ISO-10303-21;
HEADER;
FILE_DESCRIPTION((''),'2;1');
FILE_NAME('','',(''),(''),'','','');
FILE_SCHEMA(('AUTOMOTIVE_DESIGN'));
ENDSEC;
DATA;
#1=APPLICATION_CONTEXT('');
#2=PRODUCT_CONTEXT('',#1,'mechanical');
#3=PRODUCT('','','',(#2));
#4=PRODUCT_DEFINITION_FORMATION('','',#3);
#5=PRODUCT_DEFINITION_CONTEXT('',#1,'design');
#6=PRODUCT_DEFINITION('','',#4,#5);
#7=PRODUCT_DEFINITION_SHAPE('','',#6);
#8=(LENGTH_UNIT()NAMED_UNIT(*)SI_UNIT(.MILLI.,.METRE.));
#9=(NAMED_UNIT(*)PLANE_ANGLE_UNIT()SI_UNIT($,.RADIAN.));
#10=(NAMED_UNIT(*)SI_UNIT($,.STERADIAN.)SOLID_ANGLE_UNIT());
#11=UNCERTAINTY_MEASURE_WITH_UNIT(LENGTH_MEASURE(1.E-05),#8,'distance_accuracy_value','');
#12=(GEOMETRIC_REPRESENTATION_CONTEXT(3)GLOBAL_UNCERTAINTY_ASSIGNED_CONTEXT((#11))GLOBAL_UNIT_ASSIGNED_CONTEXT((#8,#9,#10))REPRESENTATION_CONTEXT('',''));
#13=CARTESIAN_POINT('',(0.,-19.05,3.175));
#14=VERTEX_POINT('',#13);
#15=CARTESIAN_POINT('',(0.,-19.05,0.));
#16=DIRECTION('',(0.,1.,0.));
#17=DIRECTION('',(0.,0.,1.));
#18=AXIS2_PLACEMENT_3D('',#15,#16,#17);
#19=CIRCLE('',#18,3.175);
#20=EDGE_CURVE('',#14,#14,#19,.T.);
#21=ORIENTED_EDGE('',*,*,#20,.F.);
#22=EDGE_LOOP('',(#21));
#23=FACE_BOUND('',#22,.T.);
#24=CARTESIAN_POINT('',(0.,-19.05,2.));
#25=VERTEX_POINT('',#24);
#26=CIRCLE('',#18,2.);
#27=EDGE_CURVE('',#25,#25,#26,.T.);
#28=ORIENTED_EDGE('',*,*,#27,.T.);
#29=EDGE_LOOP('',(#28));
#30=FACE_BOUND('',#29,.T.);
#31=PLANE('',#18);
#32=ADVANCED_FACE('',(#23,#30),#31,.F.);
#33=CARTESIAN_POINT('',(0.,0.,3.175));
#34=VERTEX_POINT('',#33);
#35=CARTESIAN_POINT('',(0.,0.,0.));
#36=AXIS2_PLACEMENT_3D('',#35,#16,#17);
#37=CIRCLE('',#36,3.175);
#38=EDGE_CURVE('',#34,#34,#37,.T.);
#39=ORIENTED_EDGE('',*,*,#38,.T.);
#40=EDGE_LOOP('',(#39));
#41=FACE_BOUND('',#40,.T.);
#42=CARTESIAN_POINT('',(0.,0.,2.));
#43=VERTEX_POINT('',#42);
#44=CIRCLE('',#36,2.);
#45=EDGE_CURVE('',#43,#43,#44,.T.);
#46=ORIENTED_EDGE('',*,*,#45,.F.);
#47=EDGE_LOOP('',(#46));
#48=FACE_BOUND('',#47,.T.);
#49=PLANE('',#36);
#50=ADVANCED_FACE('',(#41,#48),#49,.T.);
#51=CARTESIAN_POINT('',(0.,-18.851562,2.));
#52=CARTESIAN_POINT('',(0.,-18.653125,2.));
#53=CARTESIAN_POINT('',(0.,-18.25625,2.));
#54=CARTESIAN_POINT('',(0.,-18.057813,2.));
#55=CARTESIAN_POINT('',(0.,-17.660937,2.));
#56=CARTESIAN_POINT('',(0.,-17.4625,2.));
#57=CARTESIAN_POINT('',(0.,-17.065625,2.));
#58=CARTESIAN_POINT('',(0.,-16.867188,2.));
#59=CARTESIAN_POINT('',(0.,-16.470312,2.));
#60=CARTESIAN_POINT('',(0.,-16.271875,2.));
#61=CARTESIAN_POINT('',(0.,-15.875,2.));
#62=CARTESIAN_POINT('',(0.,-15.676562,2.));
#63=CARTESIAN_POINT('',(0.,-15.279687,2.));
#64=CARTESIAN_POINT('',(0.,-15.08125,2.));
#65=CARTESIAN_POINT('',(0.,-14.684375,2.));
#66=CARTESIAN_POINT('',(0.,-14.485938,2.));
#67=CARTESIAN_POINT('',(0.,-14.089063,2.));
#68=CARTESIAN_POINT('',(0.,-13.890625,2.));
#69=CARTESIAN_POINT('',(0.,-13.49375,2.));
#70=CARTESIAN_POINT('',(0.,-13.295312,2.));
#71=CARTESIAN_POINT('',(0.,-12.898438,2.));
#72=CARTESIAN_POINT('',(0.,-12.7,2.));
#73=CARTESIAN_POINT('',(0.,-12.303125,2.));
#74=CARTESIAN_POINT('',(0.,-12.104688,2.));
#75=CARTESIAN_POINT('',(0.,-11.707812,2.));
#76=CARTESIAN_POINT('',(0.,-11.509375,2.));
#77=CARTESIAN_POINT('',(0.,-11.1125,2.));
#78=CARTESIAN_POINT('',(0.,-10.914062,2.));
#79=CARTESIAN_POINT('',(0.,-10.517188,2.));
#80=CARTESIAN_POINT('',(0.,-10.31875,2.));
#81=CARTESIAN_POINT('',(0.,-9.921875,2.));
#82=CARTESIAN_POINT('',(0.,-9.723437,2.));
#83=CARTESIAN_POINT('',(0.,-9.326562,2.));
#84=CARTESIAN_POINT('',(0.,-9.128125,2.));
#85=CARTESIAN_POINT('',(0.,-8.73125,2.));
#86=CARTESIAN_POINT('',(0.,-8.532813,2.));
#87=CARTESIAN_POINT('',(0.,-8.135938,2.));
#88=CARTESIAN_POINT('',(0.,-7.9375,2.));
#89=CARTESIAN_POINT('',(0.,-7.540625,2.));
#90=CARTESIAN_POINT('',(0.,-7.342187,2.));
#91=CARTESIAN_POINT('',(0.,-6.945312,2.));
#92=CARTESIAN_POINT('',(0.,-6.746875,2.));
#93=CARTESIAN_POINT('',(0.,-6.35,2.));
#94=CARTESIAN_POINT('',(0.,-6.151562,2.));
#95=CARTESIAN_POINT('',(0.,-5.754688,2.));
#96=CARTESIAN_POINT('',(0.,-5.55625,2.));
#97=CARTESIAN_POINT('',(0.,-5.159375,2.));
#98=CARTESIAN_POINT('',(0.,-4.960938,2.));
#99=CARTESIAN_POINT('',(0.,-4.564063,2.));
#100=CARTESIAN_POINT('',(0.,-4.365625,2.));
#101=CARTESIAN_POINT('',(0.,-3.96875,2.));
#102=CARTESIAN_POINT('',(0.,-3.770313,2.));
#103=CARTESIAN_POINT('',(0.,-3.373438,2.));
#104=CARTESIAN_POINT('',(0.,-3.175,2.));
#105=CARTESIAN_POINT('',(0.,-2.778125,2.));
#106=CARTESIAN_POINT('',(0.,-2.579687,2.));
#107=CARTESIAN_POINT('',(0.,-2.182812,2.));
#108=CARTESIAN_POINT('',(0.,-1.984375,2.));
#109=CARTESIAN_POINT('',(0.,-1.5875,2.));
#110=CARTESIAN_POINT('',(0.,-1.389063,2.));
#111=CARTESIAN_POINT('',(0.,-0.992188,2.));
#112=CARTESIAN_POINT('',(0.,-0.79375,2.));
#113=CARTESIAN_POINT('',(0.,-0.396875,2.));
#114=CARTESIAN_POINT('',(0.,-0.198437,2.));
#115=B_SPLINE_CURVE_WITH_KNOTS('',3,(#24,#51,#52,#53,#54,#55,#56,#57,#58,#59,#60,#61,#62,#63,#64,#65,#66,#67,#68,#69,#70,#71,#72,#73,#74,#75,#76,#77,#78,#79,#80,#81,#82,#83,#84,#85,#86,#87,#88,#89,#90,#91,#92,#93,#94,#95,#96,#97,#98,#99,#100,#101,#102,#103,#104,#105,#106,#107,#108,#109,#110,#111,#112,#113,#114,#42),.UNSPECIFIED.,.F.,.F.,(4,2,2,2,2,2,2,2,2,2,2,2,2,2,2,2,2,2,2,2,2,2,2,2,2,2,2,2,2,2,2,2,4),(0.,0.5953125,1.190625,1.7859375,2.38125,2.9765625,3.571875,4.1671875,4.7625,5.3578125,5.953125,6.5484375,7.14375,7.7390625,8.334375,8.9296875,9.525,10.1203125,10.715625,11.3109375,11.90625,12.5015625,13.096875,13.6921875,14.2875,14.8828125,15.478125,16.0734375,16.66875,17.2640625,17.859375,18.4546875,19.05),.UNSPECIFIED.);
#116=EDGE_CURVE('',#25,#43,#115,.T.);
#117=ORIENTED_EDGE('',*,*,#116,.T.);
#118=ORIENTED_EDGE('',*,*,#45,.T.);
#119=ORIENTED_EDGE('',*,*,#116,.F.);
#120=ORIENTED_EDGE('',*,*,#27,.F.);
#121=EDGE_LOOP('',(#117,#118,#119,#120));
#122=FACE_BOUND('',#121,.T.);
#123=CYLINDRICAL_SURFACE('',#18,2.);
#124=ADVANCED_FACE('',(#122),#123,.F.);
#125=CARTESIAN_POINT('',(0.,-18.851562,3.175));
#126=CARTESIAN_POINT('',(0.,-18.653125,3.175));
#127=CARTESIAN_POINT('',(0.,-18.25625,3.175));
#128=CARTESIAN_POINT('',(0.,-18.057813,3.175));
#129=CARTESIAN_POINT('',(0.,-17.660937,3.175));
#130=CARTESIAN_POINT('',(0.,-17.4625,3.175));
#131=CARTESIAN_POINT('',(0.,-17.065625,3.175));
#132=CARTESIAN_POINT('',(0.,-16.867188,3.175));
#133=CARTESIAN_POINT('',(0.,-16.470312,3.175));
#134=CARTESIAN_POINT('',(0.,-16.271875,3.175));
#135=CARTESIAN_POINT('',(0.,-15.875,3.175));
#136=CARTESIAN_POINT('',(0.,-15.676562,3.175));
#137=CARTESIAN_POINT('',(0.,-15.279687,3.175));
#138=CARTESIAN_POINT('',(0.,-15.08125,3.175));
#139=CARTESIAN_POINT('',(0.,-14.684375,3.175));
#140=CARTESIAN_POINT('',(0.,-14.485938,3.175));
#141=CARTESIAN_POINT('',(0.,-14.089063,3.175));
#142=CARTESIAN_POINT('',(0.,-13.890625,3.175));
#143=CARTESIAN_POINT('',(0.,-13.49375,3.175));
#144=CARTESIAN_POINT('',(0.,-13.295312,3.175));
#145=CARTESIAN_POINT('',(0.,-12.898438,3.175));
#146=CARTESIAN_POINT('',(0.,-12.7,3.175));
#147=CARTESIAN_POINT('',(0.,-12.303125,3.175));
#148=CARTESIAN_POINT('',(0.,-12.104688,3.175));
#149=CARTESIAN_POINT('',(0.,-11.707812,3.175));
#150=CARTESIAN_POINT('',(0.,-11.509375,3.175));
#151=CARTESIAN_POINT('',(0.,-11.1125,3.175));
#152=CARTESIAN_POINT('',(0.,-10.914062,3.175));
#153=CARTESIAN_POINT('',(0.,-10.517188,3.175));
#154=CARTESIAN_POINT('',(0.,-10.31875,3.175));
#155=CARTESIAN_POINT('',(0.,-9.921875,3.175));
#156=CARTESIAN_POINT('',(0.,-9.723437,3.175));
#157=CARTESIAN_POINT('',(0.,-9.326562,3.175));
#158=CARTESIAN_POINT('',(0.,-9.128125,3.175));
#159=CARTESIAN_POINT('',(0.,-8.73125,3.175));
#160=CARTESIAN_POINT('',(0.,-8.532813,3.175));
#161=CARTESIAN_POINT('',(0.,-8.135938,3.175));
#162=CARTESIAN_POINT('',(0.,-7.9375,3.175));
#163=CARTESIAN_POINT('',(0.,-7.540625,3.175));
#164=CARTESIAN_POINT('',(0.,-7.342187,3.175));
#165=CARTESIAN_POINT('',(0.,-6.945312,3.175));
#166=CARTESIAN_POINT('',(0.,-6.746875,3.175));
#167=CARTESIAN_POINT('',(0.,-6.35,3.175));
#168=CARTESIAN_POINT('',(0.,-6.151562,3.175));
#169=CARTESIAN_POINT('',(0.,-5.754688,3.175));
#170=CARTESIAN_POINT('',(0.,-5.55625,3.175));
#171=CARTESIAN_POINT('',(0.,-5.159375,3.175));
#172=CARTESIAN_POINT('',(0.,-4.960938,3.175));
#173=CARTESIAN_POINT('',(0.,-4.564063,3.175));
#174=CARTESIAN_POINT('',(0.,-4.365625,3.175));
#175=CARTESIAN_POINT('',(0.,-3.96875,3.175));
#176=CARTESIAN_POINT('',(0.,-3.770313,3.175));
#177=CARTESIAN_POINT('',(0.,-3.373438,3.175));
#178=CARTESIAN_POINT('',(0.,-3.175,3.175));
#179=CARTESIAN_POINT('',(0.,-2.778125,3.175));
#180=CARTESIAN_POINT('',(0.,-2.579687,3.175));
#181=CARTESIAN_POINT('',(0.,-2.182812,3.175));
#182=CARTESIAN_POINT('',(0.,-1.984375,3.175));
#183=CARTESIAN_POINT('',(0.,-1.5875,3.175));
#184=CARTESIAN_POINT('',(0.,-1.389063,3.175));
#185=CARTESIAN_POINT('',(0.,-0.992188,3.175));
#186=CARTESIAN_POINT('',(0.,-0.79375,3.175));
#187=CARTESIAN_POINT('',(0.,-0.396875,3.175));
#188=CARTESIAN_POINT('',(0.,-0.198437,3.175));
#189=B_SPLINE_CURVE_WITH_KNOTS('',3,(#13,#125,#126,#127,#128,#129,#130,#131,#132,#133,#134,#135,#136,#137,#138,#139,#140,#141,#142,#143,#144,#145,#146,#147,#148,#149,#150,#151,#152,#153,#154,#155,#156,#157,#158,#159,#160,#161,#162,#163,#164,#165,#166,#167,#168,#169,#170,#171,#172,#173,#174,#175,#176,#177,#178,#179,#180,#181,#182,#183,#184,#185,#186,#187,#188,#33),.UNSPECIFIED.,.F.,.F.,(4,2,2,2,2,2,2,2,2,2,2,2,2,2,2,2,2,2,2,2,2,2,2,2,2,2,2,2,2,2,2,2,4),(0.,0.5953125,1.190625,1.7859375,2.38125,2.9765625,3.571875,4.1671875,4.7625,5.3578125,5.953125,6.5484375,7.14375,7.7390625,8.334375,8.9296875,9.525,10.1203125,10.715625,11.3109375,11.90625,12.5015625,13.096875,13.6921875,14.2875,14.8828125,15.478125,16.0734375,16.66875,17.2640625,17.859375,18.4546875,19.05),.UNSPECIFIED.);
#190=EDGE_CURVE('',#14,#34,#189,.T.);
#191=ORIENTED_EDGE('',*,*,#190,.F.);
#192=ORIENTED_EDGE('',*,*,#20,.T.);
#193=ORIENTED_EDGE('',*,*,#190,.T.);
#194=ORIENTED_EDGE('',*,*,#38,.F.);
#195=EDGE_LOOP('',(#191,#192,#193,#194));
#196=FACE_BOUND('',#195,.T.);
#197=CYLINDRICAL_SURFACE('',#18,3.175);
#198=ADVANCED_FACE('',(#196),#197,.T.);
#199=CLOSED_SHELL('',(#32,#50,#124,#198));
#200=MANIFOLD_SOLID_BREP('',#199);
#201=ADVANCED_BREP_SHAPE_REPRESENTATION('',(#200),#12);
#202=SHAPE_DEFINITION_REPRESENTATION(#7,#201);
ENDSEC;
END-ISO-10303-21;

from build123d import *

# Parameters (mm, degrees)
SKETCH1_R           = 3.175
SKETCH1_R_2         = 2
BOSS_EXTRUDE1_DEPTH = 19.05


with BuildPart() as part:
    # Sketch1 → Boss-Extrude1 (new body)
    with BuildSketch(Plane(origin=(0, 0, 0), x_dir=(1, 0, 0), z_dir=(0, 1, 0))):
        with Locations(Location((0, 0, 0), (0, 0, 270))):
            Circle(SKETCH1_R)
        with Locations(Location((0, 0, 0), (0, 0, 270))):
            Circle(SKETCH1_R_2, mode=Mode.SUBTRACT)
    extrude(amount=-BOSS_EXTRUDE1_DEPTH)


solid = part.part
